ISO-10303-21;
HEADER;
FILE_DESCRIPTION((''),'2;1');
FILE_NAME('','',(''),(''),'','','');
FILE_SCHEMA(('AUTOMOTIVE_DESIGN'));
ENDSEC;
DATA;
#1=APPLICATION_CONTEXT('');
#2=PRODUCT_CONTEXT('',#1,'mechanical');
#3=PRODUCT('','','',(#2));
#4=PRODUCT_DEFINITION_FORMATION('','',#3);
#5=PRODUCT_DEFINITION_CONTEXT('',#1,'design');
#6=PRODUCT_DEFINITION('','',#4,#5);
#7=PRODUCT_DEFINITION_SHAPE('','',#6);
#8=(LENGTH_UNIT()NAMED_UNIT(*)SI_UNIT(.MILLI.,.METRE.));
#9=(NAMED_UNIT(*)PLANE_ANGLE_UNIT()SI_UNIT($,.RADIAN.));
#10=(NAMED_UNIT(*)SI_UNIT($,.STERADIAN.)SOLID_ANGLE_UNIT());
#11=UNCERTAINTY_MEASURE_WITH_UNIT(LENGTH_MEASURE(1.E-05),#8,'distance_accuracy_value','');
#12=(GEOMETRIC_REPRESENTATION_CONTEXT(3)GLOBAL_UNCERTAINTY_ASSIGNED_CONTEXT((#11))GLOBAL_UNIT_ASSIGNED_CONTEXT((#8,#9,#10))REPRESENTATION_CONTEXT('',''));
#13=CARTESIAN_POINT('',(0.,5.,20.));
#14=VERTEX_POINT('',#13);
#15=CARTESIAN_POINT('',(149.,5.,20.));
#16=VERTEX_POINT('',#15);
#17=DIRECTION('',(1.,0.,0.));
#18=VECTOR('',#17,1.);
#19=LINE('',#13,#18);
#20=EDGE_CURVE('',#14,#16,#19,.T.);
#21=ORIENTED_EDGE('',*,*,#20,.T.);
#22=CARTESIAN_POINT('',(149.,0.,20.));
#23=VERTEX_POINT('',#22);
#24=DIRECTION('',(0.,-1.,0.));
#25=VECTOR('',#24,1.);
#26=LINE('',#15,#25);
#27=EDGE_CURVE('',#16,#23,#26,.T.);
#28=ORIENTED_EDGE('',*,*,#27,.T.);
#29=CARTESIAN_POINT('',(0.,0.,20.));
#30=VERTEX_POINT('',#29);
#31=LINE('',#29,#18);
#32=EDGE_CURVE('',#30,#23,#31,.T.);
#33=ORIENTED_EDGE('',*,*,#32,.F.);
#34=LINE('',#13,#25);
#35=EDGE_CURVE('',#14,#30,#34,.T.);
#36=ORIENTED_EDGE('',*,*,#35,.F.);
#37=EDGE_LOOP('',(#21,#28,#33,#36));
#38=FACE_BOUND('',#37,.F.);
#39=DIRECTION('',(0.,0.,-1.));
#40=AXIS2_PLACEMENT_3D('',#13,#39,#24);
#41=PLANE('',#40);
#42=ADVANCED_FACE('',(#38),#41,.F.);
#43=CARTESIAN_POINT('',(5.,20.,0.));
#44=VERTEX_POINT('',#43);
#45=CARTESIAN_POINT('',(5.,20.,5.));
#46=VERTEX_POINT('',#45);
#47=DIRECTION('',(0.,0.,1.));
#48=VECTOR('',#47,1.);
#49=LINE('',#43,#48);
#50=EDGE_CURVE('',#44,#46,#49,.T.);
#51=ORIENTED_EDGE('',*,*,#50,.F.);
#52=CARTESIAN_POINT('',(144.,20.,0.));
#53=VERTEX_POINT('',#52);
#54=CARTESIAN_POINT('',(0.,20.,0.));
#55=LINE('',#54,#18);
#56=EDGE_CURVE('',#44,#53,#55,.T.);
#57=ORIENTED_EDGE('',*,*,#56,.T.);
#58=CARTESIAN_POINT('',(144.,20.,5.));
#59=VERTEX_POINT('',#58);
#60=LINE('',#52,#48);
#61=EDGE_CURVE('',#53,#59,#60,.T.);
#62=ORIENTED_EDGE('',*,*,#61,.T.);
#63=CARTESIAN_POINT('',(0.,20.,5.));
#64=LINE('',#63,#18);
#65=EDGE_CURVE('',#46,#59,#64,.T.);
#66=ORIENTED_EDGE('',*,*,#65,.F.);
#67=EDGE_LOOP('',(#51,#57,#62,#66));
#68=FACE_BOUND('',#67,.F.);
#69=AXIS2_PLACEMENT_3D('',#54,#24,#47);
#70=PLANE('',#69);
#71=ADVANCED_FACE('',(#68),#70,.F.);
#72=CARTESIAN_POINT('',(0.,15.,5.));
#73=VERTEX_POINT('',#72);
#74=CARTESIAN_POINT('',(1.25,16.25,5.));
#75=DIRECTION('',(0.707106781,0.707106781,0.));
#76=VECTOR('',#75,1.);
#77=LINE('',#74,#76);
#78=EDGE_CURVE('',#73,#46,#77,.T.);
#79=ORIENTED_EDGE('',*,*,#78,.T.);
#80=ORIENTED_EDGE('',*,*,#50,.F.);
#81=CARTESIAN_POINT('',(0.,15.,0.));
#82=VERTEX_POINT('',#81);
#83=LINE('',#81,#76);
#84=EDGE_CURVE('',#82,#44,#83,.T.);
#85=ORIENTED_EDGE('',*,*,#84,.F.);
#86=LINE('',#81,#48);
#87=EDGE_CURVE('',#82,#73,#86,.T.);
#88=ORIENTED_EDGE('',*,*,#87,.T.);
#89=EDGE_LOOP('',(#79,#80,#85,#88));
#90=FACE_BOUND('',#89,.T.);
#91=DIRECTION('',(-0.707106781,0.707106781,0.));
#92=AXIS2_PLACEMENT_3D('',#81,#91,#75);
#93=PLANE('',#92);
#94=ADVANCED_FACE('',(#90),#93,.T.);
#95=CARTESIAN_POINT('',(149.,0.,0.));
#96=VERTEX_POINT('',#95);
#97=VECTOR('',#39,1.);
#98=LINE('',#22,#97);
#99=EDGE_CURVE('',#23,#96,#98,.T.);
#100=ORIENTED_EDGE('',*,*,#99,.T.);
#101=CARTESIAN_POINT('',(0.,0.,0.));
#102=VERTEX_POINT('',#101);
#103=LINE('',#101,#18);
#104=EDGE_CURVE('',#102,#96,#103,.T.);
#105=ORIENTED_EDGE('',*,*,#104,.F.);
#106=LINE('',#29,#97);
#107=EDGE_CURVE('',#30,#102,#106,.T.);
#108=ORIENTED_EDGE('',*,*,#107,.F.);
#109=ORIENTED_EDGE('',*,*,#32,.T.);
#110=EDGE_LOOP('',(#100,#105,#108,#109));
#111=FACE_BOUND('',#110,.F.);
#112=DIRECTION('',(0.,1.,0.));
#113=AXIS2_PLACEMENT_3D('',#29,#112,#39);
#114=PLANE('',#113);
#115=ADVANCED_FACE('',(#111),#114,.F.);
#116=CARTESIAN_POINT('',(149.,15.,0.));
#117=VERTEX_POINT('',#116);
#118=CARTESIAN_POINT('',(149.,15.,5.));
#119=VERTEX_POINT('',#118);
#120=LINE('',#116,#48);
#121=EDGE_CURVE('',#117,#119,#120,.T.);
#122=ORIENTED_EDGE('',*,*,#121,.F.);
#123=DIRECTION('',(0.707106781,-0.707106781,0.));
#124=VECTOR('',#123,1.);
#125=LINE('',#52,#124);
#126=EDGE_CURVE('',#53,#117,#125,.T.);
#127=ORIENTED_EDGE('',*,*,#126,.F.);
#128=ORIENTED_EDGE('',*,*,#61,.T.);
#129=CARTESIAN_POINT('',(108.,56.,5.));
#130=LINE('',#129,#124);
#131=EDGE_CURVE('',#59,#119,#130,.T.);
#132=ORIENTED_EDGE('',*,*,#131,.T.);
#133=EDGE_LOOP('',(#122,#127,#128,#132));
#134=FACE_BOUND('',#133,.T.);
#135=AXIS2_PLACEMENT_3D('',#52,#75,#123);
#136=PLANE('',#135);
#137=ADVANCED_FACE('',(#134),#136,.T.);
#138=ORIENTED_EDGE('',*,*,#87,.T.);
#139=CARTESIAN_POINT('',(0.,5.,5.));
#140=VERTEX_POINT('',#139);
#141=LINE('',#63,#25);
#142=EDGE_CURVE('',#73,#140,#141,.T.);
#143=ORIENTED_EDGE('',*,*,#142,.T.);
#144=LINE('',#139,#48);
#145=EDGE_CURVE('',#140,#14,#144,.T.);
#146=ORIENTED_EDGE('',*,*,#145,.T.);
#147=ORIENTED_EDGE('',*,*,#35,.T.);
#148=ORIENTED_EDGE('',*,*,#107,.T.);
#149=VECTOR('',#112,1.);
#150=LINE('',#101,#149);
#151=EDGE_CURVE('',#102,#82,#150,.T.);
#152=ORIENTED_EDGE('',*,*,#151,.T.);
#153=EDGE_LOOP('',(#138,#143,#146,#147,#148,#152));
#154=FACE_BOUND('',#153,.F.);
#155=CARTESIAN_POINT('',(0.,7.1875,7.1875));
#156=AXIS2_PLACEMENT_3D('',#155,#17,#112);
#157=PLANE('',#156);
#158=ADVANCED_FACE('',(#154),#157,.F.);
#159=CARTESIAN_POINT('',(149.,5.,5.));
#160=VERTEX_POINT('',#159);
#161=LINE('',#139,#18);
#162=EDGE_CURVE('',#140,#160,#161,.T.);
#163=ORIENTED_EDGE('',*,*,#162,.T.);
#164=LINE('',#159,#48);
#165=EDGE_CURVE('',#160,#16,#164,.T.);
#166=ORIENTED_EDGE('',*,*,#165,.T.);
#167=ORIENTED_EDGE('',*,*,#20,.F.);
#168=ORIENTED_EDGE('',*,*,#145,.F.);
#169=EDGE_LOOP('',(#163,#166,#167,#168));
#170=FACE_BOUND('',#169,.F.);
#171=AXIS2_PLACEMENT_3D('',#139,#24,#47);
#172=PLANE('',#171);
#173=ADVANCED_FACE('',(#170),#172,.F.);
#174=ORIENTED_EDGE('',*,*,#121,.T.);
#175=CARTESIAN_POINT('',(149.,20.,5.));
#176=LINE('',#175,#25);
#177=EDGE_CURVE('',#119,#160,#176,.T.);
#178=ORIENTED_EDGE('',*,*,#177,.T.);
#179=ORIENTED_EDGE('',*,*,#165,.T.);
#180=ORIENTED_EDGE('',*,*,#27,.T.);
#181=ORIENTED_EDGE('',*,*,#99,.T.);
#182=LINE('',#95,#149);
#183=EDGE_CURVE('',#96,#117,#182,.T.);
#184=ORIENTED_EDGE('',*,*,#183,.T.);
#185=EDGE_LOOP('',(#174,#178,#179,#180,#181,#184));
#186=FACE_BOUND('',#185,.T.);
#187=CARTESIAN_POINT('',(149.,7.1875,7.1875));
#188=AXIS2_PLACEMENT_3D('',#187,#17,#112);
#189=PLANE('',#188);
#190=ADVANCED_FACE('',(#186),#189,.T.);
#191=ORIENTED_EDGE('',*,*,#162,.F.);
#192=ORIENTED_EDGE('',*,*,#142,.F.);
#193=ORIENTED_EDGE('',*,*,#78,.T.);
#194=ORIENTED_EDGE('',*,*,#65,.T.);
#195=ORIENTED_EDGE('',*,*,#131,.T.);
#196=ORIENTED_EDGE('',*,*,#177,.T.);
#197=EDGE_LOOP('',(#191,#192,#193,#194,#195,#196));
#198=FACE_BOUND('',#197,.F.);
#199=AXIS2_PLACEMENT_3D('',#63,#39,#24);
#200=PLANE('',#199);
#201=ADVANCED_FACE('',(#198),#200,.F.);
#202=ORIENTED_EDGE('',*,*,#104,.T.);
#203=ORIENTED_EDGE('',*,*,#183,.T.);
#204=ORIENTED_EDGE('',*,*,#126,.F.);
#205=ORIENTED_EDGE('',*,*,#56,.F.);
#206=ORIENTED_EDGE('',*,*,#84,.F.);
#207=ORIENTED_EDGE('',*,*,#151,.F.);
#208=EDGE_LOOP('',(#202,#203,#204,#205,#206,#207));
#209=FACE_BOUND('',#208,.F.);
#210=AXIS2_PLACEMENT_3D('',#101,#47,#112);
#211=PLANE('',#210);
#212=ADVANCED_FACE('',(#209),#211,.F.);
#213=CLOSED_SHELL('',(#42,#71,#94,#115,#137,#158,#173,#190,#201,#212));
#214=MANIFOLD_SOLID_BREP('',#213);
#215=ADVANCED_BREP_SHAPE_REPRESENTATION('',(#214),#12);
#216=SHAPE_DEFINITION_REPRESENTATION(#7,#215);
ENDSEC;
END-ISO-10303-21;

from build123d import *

# Parameters (mm, degrees)
F1_DEPTH = 149
F3_DEPTH = 20.001


with BuildPart() as f1:
    # F0 (on Right) → F1 (new body)
    with BuildSketch(Plane.YZ):
        Polygon((0, 20), (0, 0), (20, 0), (20, 5), (5, 5), (5, 20), align=None)
    extrude(amount=F1_DEPTH)

    # F2 (on Top) → F3 (cut, through all)
    with BuildSketch(Plane.XY):
        Polygon((5, 20), (0, 20), (0, 15), align=None)
        Polygon((149, 15), (149, 20), (144, 20), align=None)
    extrude(amount=F3_DEPTH, mode=Mode.SUBTRACT)


solid = f1.part
